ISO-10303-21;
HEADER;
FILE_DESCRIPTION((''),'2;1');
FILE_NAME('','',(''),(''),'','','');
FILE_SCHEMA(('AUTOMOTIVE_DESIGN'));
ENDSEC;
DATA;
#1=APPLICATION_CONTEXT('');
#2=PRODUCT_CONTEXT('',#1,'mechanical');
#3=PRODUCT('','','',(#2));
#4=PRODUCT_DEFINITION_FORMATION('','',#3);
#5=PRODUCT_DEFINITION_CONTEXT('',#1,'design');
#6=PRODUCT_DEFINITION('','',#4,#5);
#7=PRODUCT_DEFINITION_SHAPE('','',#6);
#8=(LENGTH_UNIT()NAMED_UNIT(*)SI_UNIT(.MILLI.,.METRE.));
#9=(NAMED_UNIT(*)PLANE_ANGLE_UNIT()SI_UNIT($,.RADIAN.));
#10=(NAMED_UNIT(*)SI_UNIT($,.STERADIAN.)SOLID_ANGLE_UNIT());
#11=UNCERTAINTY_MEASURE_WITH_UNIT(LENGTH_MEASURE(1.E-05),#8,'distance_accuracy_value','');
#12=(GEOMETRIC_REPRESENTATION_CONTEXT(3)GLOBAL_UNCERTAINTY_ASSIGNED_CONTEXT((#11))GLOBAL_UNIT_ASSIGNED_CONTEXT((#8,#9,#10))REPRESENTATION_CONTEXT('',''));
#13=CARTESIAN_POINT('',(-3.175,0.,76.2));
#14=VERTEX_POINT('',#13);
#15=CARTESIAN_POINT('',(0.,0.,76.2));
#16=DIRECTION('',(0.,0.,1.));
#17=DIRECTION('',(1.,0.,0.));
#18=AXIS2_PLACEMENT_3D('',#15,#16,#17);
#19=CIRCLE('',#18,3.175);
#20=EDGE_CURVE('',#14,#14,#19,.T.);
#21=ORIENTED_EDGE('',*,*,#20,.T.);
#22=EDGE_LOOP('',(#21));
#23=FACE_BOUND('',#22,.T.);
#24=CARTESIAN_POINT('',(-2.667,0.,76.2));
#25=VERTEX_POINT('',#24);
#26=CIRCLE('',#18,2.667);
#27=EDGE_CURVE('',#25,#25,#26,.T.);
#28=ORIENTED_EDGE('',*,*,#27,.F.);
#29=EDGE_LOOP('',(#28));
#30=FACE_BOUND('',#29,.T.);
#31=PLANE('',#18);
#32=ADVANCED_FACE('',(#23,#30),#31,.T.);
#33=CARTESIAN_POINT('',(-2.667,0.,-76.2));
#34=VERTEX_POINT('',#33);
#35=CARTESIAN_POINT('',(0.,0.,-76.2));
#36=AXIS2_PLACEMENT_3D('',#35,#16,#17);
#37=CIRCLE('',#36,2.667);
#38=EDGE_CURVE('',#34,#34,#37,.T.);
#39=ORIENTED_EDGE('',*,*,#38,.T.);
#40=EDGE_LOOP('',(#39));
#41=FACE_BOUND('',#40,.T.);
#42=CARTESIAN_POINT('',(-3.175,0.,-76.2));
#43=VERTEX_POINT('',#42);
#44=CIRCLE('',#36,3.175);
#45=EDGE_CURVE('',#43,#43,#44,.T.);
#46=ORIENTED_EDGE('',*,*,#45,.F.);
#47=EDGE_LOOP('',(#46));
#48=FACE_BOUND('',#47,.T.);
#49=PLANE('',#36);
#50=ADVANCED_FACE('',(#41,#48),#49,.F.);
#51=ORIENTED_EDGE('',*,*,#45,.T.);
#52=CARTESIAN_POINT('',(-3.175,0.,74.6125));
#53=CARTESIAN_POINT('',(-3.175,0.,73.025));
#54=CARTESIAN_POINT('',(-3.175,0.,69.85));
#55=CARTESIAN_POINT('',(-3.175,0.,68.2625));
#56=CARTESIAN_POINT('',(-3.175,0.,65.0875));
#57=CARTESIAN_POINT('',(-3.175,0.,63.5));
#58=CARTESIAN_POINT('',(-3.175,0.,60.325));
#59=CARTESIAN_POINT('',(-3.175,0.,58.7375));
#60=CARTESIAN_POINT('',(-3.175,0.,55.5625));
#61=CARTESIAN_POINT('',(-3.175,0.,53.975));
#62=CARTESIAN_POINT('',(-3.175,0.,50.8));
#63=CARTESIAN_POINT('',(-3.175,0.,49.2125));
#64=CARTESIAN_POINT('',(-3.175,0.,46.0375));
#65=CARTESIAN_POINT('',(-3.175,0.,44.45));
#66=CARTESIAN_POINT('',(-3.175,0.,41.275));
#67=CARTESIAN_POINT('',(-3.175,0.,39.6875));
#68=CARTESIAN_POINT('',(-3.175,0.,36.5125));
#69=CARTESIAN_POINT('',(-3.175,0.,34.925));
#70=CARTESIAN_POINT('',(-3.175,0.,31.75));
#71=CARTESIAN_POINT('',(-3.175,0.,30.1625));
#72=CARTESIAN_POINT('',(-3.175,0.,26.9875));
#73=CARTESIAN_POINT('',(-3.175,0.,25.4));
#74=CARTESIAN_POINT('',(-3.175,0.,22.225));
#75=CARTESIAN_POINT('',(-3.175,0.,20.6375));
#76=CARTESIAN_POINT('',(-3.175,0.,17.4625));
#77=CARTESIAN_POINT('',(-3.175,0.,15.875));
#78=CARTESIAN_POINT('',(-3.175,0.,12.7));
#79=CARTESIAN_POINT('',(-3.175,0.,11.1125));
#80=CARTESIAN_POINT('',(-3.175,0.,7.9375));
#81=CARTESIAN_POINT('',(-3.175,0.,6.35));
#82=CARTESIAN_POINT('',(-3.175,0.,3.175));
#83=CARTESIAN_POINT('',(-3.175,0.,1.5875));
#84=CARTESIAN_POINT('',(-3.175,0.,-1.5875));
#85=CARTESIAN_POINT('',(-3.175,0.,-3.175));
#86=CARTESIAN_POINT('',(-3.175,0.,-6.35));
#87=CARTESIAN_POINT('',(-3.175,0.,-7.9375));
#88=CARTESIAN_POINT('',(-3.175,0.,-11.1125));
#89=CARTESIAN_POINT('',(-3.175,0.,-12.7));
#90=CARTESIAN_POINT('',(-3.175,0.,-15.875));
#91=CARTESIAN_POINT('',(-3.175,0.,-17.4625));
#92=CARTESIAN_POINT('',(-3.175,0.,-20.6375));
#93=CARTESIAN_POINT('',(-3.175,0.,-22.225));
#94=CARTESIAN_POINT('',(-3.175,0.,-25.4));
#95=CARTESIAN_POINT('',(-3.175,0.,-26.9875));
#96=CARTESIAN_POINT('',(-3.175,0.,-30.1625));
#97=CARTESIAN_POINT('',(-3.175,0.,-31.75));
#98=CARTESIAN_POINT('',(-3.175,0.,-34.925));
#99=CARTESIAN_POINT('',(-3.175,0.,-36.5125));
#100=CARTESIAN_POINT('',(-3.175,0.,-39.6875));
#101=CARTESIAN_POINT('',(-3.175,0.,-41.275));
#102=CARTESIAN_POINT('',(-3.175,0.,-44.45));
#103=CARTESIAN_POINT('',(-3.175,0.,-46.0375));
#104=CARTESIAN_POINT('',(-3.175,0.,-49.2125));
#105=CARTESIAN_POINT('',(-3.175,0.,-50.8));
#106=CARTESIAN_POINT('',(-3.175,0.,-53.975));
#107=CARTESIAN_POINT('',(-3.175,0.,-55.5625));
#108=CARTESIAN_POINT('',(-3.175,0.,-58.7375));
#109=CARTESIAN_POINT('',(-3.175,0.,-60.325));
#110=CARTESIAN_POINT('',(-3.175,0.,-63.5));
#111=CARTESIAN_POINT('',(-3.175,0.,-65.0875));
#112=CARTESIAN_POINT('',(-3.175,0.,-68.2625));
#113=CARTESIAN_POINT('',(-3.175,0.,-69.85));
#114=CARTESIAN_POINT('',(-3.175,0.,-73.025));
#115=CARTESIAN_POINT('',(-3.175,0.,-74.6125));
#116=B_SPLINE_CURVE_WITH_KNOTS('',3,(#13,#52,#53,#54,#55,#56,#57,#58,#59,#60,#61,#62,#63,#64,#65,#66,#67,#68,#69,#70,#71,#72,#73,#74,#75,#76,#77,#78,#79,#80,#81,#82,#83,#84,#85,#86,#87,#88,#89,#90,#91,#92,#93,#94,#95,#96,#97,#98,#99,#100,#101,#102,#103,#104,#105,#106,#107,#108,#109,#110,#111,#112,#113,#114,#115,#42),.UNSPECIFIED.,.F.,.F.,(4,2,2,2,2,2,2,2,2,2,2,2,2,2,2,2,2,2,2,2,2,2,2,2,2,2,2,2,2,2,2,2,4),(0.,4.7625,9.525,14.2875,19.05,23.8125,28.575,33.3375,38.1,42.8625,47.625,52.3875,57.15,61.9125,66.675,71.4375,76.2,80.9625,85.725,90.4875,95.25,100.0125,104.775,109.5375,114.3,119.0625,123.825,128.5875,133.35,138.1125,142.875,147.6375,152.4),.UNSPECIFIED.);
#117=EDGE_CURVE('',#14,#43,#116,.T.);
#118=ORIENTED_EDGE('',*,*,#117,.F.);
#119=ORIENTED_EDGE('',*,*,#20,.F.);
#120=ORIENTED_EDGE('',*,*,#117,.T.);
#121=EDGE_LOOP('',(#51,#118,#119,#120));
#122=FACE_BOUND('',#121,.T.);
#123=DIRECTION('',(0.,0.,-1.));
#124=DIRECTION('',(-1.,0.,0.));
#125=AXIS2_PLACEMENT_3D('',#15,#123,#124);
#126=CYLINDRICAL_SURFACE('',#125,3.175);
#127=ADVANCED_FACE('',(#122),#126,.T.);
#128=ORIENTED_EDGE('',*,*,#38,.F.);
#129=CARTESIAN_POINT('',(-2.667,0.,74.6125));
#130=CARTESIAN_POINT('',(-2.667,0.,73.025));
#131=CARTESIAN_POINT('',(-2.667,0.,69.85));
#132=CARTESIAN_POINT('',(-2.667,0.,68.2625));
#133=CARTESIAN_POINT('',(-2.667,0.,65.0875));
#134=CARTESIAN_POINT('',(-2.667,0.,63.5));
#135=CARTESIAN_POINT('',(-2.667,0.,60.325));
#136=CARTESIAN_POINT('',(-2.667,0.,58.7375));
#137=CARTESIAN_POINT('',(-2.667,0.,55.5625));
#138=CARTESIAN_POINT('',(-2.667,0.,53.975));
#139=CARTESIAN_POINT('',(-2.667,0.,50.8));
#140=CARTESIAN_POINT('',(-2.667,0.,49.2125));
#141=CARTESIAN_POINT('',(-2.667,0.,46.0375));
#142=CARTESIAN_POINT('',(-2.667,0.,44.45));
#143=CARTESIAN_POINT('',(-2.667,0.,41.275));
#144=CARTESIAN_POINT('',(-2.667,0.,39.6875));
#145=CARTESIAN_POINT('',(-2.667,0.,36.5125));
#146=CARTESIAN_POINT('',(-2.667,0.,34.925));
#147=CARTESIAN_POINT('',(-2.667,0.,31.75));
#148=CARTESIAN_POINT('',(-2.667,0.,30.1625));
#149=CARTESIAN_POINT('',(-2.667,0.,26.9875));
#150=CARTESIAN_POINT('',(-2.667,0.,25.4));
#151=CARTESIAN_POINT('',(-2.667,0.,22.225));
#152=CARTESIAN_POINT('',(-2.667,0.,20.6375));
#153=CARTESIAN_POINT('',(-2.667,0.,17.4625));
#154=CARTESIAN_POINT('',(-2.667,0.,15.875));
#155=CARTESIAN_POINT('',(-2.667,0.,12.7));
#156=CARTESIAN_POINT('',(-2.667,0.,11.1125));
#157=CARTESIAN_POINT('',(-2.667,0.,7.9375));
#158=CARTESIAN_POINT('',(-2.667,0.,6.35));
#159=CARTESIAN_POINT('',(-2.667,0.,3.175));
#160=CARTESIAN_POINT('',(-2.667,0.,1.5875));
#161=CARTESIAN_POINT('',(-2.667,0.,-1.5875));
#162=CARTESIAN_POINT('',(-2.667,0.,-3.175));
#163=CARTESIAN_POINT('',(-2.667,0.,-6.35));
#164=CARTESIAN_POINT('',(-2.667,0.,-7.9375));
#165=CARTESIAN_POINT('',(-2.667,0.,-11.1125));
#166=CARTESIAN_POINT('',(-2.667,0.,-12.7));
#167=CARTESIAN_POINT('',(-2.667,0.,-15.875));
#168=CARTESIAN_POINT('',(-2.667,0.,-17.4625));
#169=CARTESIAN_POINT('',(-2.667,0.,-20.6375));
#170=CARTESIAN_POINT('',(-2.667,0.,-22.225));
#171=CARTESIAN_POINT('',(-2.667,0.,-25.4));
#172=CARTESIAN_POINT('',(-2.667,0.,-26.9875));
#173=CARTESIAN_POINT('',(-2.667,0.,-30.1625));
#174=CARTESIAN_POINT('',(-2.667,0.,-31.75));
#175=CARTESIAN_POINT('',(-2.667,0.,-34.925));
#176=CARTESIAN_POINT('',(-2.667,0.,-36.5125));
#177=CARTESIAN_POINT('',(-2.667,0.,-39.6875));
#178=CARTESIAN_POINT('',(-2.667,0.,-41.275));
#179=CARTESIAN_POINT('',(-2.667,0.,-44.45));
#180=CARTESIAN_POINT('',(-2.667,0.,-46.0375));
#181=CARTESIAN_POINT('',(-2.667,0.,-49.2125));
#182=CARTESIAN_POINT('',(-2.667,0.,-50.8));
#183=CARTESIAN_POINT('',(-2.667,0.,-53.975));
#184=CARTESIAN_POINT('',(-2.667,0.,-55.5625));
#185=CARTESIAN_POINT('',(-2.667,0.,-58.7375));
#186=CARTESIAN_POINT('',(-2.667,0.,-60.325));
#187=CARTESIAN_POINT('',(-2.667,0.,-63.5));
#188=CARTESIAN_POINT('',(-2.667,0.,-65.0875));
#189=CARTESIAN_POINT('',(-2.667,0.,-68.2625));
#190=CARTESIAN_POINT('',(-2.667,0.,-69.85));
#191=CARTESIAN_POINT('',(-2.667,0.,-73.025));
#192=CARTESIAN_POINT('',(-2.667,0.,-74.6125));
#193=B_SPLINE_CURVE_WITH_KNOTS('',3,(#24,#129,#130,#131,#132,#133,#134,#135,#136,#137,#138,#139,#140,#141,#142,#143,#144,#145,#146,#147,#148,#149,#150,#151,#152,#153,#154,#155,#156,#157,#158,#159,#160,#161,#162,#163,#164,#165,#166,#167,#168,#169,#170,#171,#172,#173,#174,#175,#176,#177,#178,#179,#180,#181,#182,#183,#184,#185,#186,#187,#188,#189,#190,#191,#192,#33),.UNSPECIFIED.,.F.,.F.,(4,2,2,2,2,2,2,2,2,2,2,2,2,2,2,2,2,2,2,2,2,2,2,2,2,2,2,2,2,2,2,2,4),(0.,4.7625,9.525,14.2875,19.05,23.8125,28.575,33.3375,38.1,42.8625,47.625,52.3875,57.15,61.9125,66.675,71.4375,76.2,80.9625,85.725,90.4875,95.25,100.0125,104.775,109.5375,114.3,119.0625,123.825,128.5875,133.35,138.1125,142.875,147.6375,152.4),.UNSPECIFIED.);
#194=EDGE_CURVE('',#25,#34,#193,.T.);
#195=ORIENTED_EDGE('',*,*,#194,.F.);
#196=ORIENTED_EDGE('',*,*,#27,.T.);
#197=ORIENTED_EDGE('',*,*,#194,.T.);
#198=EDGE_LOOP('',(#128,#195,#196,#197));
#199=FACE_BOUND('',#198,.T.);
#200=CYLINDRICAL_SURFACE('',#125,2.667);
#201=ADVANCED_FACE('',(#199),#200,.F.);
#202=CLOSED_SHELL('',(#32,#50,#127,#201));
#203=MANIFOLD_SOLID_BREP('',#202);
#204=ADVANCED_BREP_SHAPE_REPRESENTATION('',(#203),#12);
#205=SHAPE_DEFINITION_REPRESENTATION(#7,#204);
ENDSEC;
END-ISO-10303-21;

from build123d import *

# Parameters (mm, degrees)
SKETCH2_R           = 3.175
SKETCH2_R_2         = 2.667
BOSS_EXTRUDE1_DEPTH = 76.2


with BuildPart() as part:
    # Sketch2 → Boss-Extrude1 (new, symmetric)
    with BuildSketch(Plane.XY):
        Circle(SKETCH2_R)
        Circle(SKETCH2_R_2, mode=Mode.SUBTRACT)
    extrude(amount=BOSS_EXTRUDE1_DEPTH, both=True)


solid = part.part
